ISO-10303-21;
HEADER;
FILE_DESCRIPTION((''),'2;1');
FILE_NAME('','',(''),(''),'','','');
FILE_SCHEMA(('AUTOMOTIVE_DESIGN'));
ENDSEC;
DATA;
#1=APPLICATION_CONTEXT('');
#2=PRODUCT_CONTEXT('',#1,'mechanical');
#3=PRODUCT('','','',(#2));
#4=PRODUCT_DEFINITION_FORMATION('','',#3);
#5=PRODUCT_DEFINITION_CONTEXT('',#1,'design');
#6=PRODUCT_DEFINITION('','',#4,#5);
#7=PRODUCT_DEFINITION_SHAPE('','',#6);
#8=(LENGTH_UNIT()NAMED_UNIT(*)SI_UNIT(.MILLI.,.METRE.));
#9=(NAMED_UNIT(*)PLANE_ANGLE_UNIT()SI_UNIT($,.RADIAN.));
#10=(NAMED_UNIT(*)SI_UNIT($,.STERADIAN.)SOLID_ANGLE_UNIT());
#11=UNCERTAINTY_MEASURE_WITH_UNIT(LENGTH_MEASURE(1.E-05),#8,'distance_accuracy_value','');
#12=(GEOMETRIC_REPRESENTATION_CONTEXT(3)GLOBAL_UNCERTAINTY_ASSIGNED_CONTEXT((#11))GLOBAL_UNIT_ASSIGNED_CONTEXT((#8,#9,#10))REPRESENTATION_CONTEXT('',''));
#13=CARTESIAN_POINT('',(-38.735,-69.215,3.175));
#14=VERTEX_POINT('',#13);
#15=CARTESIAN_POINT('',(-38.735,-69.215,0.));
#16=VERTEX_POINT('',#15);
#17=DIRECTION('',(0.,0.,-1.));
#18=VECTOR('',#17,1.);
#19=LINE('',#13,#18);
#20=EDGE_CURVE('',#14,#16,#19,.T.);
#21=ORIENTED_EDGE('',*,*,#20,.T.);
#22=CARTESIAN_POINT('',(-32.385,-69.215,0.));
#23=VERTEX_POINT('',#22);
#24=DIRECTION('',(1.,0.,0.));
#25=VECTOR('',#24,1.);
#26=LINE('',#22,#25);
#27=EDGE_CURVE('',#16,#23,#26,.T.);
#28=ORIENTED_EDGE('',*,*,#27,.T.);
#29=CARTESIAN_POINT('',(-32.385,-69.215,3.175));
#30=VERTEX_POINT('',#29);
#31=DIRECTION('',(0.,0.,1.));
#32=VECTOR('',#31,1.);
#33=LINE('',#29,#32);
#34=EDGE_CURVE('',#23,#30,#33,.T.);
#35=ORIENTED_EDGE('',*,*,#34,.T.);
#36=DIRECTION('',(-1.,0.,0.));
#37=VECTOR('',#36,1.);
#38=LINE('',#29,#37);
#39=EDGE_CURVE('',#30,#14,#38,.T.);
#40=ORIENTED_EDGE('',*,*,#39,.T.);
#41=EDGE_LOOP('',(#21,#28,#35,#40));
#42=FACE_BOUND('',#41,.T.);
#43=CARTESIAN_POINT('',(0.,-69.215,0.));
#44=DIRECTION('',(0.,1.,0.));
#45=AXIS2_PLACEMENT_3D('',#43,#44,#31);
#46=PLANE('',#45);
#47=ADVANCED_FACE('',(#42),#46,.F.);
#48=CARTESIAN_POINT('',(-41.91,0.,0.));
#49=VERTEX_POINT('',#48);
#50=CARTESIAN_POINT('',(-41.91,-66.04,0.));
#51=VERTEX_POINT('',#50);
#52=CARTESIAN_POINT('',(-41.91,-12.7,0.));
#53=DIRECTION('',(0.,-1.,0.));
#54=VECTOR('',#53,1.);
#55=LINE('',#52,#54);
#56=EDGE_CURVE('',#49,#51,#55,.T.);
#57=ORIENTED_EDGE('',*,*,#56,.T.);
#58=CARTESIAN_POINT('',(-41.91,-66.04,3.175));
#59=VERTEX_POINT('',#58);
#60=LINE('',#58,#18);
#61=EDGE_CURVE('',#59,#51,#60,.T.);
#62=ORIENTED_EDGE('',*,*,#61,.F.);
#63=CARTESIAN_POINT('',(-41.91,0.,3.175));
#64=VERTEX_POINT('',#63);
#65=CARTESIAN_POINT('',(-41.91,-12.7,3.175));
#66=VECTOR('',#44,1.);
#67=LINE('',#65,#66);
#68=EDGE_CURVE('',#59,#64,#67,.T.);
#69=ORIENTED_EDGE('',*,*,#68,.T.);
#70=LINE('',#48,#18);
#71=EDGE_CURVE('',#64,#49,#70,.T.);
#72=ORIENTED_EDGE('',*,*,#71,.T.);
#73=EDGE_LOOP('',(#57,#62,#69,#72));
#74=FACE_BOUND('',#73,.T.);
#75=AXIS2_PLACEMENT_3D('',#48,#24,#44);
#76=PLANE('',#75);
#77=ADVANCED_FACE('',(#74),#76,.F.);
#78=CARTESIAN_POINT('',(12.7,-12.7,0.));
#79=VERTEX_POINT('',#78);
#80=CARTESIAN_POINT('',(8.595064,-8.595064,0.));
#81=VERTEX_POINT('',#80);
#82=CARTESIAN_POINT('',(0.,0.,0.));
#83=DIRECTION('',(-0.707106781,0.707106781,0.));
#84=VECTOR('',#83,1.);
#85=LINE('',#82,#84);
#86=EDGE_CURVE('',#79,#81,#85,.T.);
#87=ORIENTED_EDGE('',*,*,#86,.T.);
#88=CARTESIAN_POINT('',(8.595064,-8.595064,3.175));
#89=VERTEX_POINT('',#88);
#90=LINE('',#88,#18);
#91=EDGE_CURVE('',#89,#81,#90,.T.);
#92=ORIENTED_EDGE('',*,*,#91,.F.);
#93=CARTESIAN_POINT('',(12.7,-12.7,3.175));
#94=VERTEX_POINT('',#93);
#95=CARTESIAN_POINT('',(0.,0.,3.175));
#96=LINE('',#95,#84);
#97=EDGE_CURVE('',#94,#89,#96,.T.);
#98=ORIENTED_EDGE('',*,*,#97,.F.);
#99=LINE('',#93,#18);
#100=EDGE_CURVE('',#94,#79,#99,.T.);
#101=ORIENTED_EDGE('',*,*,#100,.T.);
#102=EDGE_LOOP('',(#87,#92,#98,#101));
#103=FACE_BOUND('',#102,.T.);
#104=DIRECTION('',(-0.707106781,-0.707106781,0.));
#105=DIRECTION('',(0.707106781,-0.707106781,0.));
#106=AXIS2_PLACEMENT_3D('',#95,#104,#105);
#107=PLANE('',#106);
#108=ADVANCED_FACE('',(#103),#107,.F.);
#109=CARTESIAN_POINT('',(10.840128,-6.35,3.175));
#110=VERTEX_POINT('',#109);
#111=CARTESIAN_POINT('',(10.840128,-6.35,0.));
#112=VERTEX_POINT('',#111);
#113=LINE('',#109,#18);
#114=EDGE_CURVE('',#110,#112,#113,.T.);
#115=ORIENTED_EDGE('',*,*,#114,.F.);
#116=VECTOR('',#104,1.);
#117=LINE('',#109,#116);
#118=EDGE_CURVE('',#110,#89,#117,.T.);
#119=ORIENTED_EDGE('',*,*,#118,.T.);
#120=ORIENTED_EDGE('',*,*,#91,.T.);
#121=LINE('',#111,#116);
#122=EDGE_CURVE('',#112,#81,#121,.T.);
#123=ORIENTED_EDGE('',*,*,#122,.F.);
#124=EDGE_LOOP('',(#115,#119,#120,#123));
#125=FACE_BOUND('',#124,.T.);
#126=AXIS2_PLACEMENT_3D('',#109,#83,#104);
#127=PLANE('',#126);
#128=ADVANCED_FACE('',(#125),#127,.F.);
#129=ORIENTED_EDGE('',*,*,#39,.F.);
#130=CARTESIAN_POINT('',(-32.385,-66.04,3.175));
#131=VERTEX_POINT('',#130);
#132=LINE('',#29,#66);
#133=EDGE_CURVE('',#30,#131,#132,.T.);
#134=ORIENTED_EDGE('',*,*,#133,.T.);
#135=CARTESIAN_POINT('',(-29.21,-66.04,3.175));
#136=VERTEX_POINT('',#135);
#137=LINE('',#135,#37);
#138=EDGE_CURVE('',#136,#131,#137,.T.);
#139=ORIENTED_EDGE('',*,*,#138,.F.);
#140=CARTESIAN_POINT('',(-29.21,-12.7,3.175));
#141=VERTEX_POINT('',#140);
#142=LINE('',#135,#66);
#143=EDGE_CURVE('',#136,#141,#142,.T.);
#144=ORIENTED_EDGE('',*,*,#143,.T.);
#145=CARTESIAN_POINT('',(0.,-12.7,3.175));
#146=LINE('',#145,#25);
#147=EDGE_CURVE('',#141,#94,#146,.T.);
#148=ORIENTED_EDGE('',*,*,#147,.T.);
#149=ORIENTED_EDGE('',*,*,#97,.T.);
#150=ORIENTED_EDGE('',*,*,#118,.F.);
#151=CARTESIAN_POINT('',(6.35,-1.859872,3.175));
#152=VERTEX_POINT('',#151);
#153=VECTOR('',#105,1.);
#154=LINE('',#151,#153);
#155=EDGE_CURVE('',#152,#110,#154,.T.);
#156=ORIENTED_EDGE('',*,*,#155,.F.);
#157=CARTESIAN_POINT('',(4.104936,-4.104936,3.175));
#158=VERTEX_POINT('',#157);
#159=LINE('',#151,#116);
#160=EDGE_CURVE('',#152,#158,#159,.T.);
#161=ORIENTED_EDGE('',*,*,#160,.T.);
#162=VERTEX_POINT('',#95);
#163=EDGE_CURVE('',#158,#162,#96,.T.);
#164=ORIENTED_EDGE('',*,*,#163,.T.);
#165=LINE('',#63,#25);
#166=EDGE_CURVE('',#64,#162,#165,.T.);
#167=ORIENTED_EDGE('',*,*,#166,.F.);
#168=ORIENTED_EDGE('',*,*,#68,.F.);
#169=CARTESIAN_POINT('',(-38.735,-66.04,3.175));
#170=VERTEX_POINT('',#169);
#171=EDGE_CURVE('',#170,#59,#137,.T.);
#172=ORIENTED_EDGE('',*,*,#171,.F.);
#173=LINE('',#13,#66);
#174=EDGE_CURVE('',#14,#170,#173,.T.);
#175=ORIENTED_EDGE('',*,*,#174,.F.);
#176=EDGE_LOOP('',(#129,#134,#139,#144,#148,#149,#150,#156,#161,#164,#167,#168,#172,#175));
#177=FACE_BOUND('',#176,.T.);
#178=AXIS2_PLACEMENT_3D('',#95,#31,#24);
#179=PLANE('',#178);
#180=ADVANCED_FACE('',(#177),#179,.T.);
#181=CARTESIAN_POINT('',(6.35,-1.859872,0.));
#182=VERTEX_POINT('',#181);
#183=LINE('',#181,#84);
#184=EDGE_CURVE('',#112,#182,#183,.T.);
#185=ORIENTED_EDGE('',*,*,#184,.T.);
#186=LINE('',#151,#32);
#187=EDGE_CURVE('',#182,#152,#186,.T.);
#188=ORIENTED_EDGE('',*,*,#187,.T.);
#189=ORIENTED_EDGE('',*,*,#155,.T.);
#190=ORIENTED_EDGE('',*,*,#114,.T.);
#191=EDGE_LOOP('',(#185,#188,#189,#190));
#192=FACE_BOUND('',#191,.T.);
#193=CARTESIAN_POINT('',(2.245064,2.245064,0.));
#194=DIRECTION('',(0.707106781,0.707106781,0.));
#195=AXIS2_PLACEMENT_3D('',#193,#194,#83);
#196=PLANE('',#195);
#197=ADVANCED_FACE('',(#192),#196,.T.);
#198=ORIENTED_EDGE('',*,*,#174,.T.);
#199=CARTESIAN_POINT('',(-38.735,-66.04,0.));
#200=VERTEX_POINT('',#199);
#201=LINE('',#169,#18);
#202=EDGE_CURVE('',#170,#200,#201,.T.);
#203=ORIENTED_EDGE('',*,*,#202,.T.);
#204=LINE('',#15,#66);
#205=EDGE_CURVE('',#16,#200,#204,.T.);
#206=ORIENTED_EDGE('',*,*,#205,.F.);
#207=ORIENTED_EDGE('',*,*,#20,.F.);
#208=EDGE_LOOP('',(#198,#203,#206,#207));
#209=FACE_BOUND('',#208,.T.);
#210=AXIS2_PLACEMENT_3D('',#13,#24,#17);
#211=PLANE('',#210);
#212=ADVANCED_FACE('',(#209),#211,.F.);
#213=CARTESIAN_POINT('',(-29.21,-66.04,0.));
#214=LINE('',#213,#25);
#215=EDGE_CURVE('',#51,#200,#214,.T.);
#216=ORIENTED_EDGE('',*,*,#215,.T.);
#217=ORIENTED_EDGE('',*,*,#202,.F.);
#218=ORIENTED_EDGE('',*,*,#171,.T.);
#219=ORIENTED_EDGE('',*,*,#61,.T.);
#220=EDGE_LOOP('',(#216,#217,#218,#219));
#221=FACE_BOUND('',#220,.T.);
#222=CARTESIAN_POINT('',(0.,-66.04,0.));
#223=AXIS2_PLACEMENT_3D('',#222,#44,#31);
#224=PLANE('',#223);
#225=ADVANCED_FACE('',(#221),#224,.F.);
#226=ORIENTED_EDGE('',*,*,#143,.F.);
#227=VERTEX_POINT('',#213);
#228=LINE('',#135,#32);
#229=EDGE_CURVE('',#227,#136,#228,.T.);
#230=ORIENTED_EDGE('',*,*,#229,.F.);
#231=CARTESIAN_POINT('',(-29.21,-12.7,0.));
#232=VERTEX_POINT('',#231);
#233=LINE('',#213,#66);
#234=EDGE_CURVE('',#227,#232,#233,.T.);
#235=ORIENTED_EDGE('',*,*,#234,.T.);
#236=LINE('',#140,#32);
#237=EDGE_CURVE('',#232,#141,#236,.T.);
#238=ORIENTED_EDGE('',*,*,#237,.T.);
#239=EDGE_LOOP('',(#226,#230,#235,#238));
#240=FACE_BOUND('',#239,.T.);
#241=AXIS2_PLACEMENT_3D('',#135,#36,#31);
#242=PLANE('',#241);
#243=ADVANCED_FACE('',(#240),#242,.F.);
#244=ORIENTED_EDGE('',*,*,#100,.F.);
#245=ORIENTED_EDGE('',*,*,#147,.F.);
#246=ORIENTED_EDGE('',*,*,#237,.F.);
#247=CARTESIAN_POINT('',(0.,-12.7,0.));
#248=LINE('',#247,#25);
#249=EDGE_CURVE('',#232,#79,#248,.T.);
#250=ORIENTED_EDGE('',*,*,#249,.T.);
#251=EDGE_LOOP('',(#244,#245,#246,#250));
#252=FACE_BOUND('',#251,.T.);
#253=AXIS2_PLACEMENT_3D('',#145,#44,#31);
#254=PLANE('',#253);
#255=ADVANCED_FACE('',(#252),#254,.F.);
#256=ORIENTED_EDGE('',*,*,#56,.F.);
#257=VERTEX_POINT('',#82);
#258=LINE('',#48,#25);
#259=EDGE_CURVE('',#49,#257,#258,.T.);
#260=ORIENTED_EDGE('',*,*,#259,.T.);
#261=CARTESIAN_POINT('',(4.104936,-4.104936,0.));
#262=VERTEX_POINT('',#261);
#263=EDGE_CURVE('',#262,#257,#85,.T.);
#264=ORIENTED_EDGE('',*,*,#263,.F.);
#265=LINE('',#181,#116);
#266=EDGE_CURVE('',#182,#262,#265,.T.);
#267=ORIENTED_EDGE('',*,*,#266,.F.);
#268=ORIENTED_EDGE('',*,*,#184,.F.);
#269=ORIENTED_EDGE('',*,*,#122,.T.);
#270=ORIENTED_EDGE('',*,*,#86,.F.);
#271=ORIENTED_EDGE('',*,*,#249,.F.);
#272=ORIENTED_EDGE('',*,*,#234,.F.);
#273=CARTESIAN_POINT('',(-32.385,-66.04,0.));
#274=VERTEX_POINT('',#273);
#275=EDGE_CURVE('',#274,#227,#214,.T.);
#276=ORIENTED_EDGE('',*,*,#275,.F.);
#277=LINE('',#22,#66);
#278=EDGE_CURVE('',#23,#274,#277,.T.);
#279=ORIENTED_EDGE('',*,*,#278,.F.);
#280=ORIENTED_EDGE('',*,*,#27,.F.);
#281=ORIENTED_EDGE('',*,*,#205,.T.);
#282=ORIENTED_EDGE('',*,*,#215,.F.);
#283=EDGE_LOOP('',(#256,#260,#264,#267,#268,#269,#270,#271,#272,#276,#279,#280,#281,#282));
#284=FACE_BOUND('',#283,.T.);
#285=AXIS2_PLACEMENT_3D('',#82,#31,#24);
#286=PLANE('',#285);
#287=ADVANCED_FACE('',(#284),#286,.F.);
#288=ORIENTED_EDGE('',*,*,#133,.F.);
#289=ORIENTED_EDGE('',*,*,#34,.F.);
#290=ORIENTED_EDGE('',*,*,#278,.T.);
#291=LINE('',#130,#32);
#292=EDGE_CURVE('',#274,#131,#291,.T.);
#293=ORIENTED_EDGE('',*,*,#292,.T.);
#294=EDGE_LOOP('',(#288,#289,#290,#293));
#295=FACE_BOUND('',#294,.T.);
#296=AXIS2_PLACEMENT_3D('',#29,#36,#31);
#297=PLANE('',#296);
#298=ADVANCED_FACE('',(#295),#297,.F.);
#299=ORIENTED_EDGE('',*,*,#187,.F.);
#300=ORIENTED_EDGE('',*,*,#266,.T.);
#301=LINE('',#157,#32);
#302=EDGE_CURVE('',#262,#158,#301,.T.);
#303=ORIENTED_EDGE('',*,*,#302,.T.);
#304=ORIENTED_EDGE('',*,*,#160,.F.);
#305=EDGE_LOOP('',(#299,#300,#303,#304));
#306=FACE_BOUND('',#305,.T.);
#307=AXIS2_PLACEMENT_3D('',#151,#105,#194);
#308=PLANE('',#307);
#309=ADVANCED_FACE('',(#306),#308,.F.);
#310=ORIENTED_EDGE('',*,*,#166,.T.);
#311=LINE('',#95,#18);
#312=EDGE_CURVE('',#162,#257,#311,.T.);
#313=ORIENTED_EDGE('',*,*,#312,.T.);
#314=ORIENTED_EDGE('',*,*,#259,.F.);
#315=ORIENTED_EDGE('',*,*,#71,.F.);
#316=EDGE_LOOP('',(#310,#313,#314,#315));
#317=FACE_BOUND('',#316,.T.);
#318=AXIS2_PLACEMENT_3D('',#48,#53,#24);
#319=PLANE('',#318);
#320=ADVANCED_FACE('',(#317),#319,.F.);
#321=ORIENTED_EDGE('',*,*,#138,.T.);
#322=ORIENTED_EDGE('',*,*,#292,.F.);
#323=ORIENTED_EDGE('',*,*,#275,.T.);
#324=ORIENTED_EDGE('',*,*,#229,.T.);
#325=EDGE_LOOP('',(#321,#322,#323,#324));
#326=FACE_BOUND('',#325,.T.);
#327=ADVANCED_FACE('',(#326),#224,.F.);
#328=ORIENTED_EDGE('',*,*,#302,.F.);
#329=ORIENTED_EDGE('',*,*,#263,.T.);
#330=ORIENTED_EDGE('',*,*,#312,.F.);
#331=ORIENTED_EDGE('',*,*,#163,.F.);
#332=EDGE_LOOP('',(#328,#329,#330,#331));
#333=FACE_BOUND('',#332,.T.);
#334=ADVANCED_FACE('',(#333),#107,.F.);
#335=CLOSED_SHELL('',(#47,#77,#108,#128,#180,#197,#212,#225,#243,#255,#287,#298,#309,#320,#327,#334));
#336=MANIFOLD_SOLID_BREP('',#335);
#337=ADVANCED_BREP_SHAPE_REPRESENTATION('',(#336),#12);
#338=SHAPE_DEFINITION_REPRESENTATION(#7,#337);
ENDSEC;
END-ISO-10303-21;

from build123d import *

# Parameters (mm, degrees)
SKETCH1_W           = 12.7
SKETCH1_H           = 12.7
BOSS_EXTRUDE1_DEPTH = 3.175
CUT_EXTRUDE1_DEPTH  = 4.175
SKETCH4_W           = 3.175
SKETCH4_H           = 6.35
BOSS_EXTRUDE3_DEPTH = 3.175
SKETCH5_W           = 3.175
SKETCH5_H           = 12.7
BOSS_EXTRUDE4_DEPTH = 41.91
SKETCH6_W           = 12.7
SKETCH6_H           = 3.175
BOSS_EXTRUDE5_DEPTH = 53.34
SKETCH7_W           = 6.35
SKETCH7_H           = 3.175
BOSS_EXTRUDE6_DEPTH = 3.175


with BuildPart() as part:
    # Sketch1 → Boss-Extrude1 (new body)
    with BuildSketch(Plane.XY):
        with Locations((6.35, -6.35)):
            Rectangle(SKETCH1_W, SKETCH1_H)
    extrude(amount=BOSS_EXTRUDE1_DEPTH)

    # Sketch3 → Cut-Extrude1 (cut, through all)
    with BuildSketch(Plane(origin=(0, 0, 0), x_dir=(-1, 0, 0), z_dir=(0, 0, -1))):
        Polygon((0, 0), (-12.7, -12.7), (-12.7, 0), align=None)
    extrude(amount=-CUT_EXTRUDE1_DEPTH, mode=Mode.SUBTRACT)

    # Sketch4 → Boss-Extrude3 (add)
    with BuildSketch(Plane(origin=(0, 0, 0), x_dir=(0, 0, -1), z_dir=(0.707106781, 0.707106781, 0))):
        with Locations((-1.5875, -8.980256121)):
            Rectangle(SKETCH4_W, SKETCH4_H)
    extrude(amount=BOSS_EXTRUDE3_DEPTH)

    # Sketch5 → Boss-Extrude4 (add)
    with BuildSketch(Plane.ZY):
        with Locations((1.5875, -6.35)):
            Rectangle(SKETCH5_W, SKETCH5_H)
    extrude(amount=BOSS_EXTRUDE4_DEPTH)

    # Sketch6 → Boss-Extrude5 (add)
    with BuildSketch(Plane(origin=(0, -12.7, 0), x_dir=(-1, 0, 0), z_dir=(0, -1, 0))):
        with Locations((35.56, -1.5875)):
            Rectangle(SKETCH6_W, SKETCH6_H)
    extrude(amount=BOSS_EXTRUDE5_DEPTH)

    # Sketch7 → Boss-Extrude6 (add)
    with BuildSketch(Plane.XZ.offset(66.04)):
        with Locations((-35.56, 1.5875)):
            Rectangle(SKETCH7_W, SKETCH7_H)
    extrude(amount=BOSS_EXTRUDE6_DEPTH)


solid = part.part
